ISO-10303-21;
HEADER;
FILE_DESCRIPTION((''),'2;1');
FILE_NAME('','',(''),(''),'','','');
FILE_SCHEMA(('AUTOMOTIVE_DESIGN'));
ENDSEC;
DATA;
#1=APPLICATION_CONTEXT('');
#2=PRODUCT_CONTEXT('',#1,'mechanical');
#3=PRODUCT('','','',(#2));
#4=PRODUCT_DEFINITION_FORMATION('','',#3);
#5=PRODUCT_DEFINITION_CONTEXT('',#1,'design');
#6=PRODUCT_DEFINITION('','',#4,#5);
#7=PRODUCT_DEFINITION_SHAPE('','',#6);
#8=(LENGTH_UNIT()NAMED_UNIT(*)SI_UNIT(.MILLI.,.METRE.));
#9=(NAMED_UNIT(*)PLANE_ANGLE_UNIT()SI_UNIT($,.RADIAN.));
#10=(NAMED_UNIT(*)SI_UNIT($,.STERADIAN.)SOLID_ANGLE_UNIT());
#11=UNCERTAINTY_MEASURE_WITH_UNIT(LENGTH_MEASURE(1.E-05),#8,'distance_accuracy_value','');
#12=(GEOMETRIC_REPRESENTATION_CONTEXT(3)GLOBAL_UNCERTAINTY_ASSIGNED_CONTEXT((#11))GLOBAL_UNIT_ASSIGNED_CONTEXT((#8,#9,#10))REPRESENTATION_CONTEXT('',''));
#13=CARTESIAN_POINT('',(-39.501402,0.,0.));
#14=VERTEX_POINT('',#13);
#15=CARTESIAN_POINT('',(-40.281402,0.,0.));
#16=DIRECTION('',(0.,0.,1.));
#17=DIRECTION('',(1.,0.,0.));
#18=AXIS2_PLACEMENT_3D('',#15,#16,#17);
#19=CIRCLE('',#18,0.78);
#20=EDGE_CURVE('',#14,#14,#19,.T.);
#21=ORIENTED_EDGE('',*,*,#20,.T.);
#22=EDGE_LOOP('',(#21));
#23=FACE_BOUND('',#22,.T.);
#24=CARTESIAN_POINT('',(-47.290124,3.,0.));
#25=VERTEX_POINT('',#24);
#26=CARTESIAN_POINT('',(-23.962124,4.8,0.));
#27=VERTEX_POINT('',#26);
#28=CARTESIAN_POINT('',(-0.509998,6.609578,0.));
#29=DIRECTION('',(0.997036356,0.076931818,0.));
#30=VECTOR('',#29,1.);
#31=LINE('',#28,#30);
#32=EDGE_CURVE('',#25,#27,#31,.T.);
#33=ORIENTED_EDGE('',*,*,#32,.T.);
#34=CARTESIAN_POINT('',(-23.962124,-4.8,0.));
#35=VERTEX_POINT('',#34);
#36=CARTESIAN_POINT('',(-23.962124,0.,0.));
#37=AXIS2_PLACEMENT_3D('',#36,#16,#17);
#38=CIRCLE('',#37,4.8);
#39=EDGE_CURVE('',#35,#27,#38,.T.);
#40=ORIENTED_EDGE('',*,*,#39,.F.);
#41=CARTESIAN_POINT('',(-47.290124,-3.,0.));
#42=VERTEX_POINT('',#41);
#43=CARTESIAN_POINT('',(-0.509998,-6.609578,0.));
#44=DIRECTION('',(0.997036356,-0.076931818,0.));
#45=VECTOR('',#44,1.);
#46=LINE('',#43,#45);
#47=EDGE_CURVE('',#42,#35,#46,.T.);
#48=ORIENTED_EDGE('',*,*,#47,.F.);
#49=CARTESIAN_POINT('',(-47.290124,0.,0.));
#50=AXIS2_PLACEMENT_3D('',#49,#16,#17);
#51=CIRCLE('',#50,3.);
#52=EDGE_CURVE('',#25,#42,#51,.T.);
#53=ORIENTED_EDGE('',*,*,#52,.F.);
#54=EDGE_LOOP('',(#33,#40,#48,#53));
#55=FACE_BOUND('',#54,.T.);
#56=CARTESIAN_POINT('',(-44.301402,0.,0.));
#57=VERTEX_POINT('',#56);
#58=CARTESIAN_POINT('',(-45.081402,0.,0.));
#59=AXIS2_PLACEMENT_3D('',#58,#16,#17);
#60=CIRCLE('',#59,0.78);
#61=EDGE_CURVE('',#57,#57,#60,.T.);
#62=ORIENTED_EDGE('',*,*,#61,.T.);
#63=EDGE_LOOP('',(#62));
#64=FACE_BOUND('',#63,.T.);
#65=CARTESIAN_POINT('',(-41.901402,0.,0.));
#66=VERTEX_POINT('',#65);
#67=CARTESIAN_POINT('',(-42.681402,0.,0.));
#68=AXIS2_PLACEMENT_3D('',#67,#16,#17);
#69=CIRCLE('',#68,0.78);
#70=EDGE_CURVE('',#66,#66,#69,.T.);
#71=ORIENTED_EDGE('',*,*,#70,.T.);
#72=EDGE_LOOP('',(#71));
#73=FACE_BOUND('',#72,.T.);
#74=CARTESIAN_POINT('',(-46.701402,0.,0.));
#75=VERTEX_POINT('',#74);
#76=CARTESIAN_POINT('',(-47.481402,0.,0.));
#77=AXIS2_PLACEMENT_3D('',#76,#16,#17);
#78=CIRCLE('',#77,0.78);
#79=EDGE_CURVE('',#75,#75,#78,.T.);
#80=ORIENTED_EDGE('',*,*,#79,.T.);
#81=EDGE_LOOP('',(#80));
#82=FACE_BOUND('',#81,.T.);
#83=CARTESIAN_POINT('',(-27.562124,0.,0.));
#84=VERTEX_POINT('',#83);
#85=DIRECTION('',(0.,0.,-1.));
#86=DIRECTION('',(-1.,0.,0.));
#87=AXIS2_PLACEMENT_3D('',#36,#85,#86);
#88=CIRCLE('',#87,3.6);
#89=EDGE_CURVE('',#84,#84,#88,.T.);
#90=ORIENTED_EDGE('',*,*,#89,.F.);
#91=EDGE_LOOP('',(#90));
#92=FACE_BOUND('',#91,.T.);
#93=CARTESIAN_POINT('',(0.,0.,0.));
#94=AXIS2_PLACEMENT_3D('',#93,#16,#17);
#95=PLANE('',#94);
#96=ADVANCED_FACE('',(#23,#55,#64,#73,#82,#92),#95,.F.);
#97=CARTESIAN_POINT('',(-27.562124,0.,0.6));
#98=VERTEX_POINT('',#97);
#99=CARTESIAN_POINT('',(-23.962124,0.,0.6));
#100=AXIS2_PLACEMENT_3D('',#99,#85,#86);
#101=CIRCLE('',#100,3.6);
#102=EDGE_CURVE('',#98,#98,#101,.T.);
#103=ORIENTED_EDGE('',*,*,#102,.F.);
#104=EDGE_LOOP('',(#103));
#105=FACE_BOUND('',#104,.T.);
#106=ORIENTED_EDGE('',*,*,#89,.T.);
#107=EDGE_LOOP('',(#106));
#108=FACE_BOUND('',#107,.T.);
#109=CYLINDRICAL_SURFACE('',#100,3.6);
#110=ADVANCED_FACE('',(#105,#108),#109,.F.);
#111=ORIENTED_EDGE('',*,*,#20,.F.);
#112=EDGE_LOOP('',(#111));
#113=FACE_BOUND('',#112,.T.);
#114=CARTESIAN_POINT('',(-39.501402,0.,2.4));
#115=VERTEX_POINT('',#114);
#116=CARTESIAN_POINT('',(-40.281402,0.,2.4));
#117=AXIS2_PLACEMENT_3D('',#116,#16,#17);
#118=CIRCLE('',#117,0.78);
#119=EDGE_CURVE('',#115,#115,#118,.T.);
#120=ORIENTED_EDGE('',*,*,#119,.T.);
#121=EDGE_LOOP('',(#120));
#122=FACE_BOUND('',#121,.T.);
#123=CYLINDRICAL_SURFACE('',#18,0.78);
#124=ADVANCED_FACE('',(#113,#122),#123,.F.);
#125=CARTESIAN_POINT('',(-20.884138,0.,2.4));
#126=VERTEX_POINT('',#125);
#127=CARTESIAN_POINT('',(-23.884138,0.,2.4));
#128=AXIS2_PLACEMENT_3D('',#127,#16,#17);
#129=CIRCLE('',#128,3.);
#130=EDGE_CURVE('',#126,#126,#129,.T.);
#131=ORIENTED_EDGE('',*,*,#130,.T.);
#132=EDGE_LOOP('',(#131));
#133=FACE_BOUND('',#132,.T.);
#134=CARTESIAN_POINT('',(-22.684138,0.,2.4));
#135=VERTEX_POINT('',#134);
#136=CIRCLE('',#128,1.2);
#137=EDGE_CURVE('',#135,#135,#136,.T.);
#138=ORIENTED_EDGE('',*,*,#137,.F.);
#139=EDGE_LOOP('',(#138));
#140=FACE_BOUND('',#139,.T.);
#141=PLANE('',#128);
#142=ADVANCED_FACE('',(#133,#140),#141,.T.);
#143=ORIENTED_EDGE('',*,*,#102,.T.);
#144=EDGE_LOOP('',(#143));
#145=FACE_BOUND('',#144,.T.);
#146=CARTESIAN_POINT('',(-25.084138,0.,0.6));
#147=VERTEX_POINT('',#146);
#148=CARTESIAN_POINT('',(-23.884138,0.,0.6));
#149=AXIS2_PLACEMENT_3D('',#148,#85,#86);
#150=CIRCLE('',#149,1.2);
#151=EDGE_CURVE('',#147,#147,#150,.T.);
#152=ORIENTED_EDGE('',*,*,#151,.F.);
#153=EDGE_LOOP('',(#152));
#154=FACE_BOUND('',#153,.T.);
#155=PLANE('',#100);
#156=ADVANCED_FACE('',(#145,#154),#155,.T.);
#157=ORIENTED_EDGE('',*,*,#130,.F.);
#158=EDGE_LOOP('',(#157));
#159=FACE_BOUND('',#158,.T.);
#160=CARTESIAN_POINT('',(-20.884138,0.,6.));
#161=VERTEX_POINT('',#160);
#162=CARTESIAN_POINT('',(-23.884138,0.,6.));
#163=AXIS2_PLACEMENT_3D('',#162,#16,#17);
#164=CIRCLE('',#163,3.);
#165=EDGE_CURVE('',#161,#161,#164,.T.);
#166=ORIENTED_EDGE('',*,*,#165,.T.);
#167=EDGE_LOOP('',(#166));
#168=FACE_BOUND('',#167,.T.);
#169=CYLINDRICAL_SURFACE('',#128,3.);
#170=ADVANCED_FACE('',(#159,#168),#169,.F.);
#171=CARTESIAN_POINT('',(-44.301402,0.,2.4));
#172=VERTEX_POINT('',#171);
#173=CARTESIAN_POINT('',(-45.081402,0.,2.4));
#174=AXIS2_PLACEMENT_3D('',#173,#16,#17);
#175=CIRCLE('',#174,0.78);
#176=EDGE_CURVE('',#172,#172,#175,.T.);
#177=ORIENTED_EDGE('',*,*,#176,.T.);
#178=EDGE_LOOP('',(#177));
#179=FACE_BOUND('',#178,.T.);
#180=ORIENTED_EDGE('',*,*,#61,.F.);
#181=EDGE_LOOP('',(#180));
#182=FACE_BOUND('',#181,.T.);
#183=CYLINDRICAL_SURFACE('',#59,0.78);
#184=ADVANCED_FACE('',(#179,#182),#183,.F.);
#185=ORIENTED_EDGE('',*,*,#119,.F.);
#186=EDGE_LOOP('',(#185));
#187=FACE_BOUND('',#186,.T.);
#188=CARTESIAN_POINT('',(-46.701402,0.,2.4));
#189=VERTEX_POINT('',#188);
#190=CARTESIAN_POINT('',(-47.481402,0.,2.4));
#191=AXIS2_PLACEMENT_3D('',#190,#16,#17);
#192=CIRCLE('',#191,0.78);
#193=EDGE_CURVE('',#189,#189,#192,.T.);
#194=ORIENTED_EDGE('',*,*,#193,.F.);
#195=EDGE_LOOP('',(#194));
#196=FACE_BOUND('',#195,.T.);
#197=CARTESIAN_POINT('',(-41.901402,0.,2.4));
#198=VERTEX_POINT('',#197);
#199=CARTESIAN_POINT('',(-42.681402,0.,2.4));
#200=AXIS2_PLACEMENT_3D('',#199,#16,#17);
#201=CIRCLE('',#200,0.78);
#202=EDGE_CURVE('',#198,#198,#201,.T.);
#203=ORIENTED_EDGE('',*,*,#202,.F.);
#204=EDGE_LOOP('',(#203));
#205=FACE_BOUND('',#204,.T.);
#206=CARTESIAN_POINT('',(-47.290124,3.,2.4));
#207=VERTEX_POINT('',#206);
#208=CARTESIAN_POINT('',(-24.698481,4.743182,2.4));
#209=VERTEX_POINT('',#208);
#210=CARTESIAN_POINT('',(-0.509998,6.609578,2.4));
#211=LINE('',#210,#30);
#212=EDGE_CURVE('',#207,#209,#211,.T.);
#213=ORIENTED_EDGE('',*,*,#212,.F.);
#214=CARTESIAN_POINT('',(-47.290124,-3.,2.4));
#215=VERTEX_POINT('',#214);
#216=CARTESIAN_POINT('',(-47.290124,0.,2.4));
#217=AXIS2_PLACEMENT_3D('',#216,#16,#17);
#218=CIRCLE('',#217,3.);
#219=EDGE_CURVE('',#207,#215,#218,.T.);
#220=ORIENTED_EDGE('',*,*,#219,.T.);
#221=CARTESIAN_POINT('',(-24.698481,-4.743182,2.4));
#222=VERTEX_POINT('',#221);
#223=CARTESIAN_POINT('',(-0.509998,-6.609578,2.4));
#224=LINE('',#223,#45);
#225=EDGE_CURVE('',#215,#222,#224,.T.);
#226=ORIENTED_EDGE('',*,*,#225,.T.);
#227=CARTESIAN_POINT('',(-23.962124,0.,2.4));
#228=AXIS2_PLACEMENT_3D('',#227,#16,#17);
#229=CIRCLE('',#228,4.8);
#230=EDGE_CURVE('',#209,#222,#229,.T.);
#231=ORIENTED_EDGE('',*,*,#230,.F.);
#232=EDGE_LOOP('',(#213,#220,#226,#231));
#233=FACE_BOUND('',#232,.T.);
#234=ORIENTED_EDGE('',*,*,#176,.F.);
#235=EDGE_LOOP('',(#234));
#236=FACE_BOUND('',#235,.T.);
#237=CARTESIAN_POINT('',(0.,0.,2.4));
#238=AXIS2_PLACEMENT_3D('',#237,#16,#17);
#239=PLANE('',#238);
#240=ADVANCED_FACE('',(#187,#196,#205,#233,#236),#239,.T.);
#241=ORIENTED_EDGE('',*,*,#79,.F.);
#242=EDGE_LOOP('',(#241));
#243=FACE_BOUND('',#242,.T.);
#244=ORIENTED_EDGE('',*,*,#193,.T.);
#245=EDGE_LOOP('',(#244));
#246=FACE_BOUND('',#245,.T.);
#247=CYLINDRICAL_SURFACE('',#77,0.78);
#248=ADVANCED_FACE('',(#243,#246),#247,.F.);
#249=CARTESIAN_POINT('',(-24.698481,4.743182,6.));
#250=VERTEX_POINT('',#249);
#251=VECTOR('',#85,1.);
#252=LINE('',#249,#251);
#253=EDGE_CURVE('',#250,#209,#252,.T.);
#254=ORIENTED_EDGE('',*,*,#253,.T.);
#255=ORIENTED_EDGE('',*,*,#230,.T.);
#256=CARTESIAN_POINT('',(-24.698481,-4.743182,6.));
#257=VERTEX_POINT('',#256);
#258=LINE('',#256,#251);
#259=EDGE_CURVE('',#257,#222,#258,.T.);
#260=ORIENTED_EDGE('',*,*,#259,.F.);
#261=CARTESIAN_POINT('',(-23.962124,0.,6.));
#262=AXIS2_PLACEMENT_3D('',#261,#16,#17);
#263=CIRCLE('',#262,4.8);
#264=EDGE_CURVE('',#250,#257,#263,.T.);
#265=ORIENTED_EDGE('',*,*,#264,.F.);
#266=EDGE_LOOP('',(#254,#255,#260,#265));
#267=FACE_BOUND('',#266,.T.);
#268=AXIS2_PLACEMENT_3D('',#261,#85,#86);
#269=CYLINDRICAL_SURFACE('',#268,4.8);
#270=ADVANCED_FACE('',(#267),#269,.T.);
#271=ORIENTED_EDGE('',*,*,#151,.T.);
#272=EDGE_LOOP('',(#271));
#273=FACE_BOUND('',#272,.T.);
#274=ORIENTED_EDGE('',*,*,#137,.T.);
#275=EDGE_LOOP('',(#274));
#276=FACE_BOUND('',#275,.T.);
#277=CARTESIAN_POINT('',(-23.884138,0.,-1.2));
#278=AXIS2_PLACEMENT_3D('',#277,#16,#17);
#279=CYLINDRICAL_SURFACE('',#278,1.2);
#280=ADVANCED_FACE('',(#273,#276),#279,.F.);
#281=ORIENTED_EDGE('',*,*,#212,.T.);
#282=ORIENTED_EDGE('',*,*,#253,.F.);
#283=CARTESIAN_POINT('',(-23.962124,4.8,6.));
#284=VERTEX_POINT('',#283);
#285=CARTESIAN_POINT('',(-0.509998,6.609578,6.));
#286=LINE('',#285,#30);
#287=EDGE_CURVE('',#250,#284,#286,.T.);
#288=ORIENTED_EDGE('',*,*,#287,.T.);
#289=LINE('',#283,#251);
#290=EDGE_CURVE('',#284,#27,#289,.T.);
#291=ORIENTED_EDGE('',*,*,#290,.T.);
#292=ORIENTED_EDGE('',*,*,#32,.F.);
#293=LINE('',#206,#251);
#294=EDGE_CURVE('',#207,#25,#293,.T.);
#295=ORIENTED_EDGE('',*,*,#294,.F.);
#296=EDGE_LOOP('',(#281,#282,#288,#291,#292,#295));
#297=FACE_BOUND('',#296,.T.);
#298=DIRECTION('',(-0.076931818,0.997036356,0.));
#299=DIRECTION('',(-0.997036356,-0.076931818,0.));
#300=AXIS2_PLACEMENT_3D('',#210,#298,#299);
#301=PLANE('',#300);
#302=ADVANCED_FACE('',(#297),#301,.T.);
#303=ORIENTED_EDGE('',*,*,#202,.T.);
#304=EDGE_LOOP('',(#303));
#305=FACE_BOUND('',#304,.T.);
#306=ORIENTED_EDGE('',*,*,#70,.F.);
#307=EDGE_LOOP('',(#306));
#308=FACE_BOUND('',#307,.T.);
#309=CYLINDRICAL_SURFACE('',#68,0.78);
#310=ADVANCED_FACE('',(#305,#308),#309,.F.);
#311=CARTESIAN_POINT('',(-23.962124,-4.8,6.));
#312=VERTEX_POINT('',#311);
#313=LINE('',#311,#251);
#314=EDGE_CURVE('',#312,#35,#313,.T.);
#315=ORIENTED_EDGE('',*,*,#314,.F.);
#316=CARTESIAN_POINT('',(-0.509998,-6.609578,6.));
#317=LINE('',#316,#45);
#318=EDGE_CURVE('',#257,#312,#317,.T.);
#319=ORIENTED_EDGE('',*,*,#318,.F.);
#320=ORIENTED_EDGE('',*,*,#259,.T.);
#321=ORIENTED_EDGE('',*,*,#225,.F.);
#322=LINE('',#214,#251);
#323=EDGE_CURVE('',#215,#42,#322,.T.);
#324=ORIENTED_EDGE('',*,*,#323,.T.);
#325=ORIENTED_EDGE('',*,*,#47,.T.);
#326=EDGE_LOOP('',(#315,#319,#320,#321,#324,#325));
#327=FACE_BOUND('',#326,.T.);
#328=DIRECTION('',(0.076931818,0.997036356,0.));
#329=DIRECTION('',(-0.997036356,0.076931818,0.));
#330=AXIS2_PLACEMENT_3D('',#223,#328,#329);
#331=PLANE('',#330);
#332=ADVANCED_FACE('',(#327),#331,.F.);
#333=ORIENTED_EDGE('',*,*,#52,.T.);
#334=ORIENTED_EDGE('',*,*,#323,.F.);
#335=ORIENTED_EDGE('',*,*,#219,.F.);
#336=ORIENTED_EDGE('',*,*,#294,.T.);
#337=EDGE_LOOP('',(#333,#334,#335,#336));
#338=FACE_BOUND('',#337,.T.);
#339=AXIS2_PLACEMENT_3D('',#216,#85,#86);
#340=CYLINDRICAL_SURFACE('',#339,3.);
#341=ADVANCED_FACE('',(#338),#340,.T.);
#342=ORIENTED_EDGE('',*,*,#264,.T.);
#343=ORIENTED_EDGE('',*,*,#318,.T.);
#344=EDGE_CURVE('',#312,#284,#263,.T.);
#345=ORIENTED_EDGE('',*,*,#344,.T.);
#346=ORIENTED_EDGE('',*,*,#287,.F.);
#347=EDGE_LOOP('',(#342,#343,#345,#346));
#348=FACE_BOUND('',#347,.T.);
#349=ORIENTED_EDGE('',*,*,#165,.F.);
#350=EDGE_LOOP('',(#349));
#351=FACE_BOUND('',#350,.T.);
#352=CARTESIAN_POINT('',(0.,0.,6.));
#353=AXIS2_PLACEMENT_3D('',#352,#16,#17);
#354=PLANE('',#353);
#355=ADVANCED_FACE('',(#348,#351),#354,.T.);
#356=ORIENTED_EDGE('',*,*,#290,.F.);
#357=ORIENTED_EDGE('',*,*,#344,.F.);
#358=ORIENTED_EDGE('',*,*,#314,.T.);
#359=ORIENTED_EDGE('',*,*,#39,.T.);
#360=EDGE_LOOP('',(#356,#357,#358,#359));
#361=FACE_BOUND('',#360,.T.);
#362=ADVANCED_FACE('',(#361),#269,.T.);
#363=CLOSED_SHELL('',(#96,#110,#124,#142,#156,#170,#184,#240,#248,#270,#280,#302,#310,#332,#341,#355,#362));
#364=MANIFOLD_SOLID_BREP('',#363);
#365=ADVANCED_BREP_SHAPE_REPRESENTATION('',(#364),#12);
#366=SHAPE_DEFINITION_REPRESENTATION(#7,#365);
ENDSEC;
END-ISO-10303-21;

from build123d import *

# Parameters (mm, degrees)
BOSS_EXTRU_1_DEPTH      = 2.4
BOSS_EXTRU_2_DEPTH      = 6
ESQUISSE2_R             = 0.78
ENL_V_MAT_EXTRU_1_DEPTH = 51.646782553
ESQUISSE3_R             = 3.6
ENL_V_MAT_EXTRU_2_DEPTH = 0.6
ESQUISSE4_R             = 3
ENL_V_MAT_EXTRU_3_DEPTH = 3.6
ESQUISSE5_R             = 1.2
ENL_V_MAT_EXTRU_4_DEPTH = 3.6


with BuildPart() as part:
    # Esquisse1 → Boss.-Extru.1 (new body)
    with BuildSketch(Plane.XY):
        with BuildLine():
            ThreePointArc((-24.698480773, -4.743182356), (-28.762124109, 0), (-24.698480773, 4.743182356))
            Line((-24.698480773, 4.743182356), (-47.290124109, 3))
            ThreePointArc((-47.290124109, 3), (-50.290124109, 0), (-47.290124109, -3))
            Line((-47.290124109, -3), (-24.698480773, -4.743182356))
        make_face()
    extrude(amount=BOSS_EXTRU_1_DEPTH)

    # Esquisse1<3> → Boss.-Extru.2 (add)
    with BuildSketch(Plane.XY):
        with BuildLine():
            ThreePointArc((-23.962124109, -4.8), (-19.162124109, 0), (-23.962124109, 4.8))
            Line((-23.962124109, 4.8), (-24.698480773, 4.743182356))
            ThreePointArc((-24.698480773, 4.743182356), (-28.762124109, 0), (-24.698480773, -4.743182356))
            Line((-24.698480773, -4.743182356), (-23.962124109, -4.8))
        make_face()
    extrude(amount=BOSS_EXTRU_2_DEPTH)

    # Esquisse2 → Enlèv. mat.-Extru.1 (cut, through all)
    with BuildSketch(Plane.XY.offset(2.4)):
        with Locations((-47.481401961, 0)):
            Circle(ESQUISSE2_R)
        with Locations((-45.081401961, 0)):
            Circle(ESQUISSE2_R)
        with Locations((-42.681401961, 0)):
            Circle(ESQUISSE2_R)
        with Locations((-40.281401961, 0)):
            Circle(ESQUISSE2_R)
    extrude(amount=-ENL_V_MAT_EXTRU_1_DEPTH, mode=Mode.SUBTRACT)

    # Esquisse3 → Enlèv. mat.-Extru.2 (cut)
    with BuildSketch(Plane(origin=(0, 0, 0), x_dir=(-1, 0, 0), z_dir=(0, 0, -1))):
        with Locations((23.962124109, 0)):
            Circle(ESQUISSE3_R)
    extrude(amount=-ENL_V_MAT_EXTRU_2_DEPTH, mode=Mode.SUBTRACT)

    # Esquisse4 → Enlèv. mat.-Extru.3 (cut)
    with BuildSketch(Plane.XY.offset(6)):
        with Locations((-23.884137935, 0)):
            Circle(ESQUISSE4_R)
    extrude(amount=-ENL_V_MAT_EXTRU_3_DEPTH, mode=Mode.SUBTRACT)

    # Esquisse5 → Enlèv. mat.-Extru.4 (cut)
    with BuildSketch(Plane.XY.offset(2.4)):
        with Locations((-23.884137935, 0)):
            Circle(ESQUISSE5_R)
    extrude(amount=-ENL_V_MAT_EXTRU_4_DEPTH, mode=Mode.SUBTRACT)


solid = part.part
